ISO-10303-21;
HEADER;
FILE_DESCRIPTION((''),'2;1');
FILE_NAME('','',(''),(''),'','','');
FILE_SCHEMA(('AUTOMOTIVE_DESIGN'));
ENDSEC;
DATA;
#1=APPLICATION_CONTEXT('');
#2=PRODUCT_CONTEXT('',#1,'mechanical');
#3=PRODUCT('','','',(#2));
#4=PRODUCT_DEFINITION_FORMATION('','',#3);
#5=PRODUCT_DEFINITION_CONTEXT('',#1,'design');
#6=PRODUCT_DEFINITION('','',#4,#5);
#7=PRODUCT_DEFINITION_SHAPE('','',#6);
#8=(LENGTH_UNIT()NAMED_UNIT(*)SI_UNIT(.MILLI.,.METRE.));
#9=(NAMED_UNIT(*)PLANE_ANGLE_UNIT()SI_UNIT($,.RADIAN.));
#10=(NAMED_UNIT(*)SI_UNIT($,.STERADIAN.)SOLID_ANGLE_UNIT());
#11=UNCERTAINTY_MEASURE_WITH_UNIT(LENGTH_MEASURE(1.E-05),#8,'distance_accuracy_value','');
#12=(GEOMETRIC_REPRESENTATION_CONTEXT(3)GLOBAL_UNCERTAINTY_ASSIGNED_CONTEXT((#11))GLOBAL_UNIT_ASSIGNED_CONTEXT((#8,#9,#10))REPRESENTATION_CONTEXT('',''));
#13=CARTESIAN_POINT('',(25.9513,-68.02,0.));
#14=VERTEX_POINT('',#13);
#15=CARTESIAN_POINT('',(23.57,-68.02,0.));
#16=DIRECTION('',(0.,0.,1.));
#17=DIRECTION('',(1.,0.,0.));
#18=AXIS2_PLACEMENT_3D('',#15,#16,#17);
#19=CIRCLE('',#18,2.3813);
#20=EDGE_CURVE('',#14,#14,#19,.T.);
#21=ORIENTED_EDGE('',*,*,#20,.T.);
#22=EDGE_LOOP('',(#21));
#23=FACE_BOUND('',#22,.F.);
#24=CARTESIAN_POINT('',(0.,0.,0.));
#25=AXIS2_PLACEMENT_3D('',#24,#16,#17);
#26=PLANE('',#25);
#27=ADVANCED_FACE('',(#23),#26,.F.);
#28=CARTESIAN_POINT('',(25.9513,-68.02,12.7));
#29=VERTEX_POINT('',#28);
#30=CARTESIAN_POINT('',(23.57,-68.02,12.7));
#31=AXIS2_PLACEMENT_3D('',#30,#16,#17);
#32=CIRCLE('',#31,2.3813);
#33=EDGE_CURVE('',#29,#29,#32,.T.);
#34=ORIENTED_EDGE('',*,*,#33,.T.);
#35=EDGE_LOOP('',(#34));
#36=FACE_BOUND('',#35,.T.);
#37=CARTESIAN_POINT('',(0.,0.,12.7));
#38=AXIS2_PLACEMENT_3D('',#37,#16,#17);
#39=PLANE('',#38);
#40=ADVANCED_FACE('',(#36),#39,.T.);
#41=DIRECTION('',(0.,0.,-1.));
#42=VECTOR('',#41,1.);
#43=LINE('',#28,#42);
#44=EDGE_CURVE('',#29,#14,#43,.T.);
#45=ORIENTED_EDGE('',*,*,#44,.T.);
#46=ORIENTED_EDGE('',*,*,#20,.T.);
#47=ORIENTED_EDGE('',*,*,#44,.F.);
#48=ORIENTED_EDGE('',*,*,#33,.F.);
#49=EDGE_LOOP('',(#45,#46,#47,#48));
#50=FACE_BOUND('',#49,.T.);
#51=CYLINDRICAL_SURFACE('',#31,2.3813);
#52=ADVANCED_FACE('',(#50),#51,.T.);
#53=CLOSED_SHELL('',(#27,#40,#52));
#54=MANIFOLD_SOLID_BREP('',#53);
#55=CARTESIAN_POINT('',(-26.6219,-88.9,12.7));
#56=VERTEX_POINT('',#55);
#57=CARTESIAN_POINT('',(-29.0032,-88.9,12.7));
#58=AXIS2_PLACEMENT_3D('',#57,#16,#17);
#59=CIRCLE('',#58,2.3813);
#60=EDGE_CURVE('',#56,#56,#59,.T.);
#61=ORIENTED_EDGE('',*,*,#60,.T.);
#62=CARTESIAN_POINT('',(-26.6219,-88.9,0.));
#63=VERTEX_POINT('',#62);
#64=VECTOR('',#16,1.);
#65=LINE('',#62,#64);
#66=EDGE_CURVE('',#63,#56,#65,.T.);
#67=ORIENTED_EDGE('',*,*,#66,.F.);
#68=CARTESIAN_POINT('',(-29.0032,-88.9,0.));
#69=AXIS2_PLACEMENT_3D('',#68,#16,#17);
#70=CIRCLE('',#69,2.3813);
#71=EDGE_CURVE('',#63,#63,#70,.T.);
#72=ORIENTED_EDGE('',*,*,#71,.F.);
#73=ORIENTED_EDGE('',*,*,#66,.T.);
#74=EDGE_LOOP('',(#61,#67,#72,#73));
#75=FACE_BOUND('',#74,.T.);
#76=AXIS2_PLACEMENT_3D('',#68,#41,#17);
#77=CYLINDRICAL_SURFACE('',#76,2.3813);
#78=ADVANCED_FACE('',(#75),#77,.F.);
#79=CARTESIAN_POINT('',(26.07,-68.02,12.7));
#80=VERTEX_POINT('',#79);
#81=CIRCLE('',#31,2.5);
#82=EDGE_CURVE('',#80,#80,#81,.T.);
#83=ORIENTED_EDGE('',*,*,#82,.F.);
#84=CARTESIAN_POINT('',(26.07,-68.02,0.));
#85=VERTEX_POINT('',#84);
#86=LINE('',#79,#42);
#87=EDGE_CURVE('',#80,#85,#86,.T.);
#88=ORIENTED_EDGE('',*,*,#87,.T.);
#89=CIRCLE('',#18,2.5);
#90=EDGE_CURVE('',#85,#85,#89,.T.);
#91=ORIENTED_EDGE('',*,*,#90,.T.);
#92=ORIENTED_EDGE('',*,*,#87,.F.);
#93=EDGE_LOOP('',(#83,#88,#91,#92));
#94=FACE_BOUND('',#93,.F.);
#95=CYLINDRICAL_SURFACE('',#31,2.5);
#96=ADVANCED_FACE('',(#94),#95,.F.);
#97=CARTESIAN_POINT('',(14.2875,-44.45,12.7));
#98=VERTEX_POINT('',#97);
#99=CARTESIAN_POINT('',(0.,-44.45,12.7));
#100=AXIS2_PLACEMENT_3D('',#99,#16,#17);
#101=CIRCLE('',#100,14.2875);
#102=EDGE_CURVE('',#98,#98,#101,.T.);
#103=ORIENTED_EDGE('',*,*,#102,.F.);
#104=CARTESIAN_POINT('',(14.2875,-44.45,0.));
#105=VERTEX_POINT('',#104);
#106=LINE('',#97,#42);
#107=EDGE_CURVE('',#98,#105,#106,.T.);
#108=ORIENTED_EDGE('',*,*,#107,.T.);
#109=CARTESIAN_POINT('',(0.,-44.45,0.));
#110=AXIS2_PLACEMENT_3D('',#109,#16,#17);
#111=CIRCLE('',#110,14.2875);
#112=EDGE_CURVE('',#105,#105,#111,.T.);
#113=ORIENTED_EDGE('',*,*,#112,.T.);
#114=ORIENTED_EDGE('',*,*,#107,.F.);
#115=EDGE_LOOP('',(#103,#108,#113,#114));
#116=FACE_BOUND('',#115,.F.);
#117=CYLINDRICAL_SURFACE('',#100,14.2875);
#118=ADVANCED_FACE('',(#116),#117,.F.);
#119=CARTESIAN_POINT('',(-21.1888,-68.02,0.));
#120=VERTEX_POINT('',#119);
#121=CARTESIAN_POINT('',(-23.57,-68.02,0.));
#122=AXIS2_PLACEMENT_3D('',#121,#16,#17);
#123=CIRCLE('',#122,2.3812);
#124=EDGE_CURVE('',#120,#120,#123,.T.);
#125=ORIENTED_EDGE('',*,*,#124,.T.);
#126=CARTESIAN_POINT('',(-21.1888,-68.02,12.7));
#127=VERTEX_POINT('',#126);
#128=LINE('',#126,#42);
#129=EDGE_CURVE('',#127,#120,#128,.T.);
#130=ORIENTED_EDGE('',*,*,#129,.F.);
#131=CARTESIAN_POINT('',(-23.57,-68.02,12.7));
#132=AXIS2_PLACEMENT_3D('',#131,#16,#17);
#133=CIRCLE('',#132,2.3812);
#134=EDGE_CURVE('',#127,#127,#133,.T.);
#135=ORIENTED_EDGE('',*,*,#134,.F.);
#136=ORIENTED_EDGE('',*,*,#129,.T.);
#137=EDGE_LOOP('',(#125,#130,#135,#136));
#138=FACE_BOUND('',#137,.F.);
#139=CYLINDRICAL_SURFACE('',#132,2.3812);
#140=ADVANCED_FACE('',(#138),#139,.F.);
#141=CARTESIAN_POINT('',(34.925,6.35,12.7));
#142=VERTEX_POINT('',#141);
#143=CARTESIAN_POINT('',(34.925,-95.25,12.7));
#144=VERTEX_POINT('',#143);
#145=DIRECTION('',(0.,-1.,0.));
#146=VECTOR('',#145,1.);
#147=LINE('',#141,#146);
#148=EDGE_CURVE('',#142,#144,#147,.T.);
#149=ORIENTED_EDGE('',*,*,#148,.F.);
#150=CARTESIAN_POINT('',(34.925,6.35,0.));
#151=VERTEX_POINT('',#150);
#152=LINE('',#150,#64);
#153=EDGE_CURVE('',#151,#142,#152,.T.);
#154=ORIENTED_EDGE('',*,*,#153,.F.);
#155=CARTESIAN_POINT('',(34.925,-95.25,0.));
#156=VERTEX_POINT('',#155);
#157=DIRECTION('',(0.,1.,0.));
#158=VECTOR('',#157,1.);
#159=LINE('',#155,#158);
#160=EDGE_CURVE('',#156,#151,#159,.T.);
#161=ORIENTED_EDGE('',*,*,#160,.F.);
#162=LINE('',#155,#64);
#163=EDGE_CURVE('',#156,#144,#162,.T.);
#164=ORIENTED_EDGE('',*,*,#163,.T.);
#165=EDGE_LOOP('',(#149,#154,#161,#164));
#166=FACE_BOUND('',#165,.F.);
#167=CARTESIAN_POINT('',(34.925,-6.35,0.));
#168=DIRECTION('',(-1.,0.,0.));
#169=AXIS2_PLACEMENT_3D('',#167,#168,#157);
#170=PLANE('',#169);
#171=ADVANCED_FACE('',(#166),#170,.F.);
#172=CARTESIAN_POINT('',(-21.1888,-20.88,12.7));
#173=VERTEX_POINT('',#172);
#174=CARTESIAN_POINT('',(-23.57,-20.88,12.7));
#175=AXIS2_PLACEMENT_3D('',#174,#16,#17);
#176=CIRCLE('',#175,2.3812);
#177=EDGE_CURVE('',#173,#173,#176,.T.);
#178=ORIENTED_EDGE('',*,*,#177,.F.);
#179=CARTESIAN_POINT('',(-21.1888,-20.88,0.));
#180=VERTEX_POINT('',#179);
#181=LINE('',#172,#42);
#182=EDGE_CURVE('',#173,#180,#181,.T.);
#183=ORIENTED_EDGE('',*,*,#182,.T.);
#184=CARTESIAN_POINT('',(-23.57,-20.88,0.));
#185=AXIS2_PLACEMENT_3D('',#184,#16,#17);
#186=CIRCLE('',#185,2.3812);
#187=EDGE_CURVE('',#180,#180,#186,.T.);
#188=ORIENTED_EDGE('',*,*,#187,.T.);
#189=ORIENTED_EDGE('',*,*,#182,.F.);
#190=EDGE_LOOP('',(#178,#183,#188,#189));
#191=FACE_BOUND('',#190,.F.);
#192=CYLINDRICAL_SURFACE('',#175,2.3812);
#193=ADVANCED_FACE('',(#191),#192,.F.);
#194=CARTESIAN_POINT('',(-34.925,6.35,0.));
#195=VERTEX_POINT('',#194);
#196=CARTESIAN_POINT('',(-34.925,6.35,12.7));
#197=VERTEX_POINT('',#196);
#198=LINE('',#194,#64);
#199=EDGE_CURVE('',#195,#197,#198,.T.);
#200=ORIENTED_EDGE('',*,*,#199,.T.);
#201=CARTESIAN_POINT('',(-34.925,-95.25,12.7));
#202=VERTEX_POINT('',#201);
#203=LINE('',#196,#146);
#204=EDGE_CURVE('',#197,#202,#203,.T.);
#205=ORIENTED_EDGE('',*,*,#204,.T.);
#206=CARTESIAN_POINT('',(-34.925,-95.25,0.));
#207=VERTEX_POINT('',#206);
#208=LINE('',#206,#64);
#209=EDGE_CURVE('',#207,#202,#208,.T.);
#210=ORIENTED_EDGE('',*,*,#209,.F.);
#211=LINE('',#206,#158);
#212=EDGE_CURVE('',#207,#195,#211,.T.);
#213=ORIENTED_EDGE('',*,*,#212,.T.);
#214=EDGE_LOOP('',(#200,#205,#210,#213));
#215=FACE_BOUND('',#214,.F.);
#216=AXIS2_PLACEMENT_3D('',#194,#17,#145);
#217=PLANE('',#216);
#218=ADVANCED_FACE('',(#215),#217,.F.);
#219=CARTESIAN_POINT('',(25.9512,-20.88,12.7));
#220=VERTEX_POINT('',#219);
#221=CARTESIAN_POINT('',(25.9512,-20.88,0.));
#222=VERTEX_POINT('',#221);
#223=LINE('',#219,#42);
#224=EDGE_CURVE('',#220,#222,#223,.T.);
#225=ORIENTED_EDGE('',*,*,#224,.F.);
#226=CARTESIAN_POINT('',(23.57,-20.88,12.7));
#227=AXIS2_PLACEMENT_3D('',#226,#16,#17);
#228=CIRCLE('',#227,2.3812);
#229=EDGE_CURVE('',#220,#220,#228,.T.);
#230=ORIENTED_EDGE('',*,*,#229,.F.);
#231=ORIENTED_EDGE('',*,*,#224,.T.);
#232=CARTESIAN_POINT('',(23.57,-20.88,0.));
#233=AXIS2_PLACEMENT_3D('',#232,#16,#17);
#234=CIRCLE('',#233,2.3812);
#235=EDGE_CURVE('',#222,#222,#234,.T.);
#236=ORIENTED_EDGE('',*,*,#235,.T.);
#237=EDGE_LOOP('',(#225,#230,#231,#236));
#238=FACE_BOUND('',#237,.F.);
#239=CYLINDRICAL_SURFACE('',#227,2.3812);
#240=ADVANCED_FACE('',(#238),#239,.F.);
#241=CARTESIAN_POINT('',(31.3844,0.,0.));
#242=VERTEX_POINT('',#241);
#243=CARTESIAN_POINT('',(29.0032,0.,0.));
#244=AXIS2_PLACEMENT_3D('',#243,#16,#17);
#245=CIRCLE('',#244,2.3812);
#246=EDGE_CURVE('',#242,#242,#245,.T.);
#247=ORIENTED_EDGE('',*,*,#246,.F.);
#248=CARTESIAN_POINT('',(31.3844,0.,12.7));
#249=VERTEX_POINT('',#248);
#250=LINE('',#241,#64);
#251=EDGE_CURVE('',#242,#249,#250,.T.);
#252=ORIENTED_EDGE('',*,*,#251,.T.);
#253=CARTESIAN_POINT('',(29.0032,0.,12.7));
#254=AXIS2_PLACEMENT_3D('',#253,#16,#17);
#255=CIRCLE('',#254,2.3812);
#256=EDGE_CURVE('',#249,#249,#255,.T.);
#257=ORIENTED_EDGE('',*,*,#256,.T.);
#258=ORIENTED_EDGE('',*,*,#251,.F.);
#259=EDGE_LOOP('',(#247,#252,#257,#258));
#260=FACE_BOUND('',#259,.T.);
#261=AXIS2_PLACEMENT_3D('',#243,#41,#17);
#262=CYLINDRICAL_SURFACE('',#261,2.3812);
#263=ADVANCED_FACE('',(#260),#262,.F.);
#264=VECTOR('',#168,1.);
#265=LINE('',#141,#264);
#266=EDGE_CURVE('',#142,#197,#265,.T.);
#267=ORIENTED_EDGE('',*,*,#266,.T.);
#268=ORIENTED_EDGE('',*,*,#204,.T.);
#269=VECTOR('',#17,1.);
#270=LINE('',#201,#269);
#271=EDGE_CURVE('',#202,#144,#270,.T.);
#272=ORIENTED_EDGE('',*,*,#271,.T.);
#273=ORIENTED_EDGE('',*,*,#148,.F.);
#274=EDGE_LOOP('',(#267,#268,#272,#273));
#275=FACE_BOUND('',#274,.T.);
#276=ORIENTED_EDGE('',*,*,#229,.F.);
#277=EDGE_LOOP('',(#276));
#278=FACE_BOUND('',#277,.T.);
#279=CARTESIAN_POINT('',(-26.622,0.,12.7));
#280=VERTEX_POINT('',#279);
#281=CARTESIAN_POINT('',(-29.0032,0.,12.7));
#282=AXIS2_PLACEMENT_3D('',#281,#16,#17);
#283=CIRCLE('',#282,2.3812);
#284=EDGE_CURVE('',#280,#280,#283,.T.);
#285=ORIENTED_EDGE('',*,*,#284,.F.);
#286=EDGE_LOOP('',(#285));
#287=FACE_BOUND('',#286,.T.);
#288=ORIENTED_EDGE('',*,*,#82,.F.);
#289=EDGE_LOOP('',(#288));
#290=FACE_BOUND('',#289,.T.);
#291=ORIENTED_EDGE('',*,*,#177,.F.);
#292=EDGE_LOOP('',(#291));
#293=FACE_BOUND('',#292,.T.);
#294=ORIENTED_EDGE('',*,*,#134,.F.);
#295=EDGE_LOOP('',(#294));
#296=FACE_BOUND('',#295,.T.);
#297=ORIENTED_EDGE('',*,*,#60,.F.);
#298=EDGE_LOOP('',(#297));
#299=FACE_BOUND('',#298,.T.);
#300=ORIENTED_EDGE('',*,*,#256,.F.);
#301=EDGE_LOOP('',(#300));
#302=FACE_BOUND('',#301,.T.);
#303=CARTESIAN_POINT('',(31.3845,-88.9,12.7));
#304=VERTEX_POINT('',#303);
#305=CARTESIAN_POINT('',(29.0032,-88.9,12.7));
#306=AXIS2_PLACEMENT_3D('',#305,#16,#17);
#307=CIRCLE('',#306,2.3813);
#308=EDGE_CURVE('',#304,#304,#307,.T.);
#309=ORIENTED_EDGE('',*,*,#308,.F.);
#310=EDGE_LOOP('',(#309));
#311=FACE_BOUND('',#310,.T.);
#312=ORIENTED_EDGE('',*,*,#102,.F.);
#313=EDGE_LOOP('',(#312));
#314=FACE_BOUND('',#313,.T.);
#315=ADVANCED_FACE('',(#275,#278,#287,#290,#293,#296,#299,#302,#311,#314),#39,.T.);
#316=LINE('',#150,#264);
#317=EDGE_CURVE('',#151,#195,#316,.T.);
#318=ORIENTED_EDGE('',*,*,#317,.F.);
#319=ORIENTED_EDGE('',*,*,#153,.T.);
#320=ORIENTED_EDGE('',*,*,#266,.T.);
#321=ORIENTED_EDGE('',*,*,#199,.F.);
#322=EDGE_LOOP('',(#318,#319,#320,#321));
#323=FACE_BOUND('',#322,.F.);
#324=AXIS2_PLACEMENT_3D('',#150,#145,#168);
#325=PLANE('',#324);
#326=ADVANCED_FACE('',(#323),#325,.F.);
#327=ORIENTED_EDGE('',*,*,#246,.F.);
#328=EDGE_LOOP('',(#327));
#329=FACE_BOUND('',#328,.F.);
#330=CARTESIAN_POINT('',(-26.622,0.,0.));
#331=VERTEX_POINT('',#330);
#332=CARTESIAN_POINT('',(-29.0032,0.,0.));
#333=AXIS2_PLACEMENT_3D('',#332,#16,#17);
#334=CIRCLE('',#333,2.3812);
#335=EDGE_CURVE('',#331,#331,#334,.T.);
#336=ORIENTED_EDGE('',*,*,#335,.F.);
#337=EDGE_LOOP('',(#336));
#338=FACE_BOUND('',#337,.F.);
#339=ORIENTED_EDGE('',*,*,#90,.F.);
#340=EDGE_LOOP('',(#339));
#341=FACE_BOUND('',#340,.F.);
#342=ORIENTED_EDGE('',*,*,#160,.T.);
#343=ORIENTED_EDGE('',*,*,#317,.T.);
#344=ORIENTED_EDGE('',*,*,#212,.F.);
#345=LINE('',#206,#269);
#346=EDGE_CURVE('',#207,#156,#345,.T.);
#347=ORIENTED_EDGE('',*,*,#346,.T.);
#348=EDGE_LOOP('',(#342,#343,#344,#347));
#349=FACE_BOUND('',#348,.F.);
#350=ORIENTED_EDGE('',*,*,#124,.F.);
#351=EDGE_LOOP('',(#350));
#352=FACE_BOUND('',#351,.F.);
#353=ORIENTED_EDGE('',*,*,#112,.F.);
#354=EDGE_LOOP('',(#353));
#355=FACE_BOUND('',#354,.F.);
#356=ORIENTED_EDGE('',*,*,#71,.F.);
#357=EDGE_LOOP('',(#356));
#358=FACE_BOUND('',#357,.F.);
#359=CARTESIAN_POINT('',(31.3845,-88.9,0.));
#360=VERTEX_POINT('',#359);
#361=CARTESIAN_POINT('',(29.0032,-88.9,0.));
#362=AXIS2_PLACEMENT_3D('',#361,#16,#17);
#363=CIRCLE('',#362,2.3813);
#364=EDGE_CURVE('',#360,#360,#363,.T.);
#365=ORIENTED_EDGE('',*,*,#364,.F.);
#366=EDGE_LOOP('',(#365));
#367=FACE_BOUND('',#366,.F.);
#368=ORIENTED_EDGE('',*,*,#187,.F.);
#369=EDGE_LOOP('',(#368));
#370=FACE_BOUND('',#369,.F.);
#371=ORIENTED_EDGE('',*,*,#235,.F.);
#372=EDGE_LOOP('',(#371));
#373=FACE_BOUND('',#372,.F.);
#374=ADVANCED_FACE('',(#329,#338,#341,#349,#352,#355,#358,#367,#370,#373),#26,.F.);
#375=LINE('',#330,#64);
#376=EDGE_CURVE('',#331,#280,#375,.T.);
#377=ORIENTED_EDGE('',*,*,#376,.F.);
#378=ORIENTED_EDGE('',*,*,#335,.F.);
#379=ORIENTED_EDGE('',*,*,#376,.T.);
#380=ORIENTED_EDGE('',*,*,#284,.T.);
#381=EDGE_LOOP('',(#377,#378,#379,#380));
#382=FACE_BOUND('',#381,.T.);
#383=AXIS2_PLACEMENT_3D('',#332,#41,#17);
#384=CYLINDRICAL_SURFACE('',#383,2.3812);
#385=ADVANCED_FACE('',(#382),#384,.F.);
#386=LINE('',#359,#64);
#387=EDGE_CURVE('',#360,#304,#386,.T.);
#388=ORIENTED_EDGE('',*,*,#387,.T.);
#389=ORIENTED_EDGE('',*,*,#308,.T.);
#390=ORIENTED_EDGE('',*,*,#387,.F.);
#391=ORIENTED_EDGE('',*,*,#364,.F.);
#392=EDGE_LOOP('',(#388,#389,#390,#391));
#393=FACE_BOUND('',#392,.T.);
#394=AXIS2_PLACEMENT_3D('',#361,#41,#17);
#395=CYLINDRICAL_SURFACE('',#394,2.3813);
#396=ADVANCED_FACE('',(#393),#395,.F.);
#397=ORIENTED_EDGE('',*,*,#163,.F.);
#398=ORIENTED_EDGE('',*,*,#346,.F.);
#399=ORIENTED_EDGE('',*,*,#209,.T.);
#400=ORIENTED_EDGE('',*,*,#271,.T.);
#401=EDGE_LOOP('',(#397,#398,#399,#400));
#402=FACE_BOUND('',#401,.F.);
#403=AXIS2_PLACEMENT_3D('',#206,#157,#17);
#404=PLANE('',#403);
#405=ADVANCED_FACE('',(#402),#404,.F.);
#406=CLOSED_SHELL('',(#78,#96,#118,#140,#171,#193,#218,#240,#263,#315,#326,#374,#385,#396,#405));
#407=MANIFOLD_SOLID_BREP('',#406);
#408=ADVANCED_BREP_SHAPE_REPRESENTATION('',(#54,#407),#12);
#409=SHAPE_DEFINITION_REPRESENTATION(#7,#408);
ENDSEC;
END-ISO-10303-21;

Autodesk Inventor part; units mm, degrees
ref_plane "YZ Plane" through (0, 0, 0) normal (1, 0, 0) x (0, 1, 0)
ref_plane "XZ Plane" through (0, 0, 0) normal (0, 1, 0) x (-1, 0, 0)
ref_plane "XY Plane" through (0, 0, 0) normal (0, 0, 1) x (1, 0, 0)
sketch "Sketch1" plane through (0, 0, 0) normal (0, 0, 1) x (1, 0, 0)
  line L0 (34.925, 6.35) -> (-34.925, 6.35) projected
  line L1 (-34.925, 6.35) -> (-34.925, -6.35) projected
  line L2 (-34.925, -6.35) -> (34.925, -6.35) projected
  line L3 (34.925, -6.35) -> (34.925, 6.35) projected
  circle A0 centre (-29.0032, 0) radius 2.3812 projected
  circle A1 centre (29.0032, 0) radius 2.3812 projected
  line L4 (34.925, -82.55) -> (-34.925, -82.55) projected
  line L5 (-34.925, -82.55) -> (-34.925, -95.25) projected
  line L6 (-34.925, -95.25) -> (34.925, -95.25) projected
  line L7 (34.925, -95.25) -> (34.925, -82.55) projected
  circle A2 centre (-29.0032, -88.9) radius 2.3813 projected
  circle A3 centre (29.0032, -88.9) radius 2.3813 projected
  line L8 (34.925, -6.35) -> (34.925, -82.55)
  line L9 (-34.925, -82.55) -> (-34.925, -6.35)
  point P0 (0, 0)
extrude "Extrusion1" add sketch "Sketch1" along normal blind 12.7
sketch "Sketch2" plane through (0, 0, 12.7) normal (0, 0, 1) x (1, 0, 0)
  circle A0 centre (0, -44.45) radius 14.2875 projected
  point P0 (0, 0)
extrude "Extrusion2" cut sketch "Sketch2" against normal blind 12.7
sketch "Sketch3" plane through (0, 0, 12.7) normal (0, 0, 1) x (1, 0, 0)
  circle A0 centre (23.57, -20.88) radius 2.5 projected
  circle A1 centre (23.57, -68.02) radius 2.5 projected
  circle A2 centre (-23.57, -68.02) radius 2.5 projected
  circle A3 centre (-23.57, -20.88) radius 2.5 projected
  circle A4 centre (23.57, -20.88) radius 2.3812
  circle A5 centre (23.57, -68.02) radius 2.3813
  circle A6 centre (-23.57, -68.02) radius 2.3812
  circle A7 centre (-23.57, -20.88) radius 2.3812
  point P0 (0, 0)
  dimension "d4" = 4.7625
  dimension "d5" = 4.7625
  dimension "d6" = 4.7625
  dimension "d7" = 4.7625
extrude "Extrusion3" cut sketch "Sketch3" against normal blind 25.4 contours A1 | A4 | A6 | A7
properties part number "Stepper Mount Y"
